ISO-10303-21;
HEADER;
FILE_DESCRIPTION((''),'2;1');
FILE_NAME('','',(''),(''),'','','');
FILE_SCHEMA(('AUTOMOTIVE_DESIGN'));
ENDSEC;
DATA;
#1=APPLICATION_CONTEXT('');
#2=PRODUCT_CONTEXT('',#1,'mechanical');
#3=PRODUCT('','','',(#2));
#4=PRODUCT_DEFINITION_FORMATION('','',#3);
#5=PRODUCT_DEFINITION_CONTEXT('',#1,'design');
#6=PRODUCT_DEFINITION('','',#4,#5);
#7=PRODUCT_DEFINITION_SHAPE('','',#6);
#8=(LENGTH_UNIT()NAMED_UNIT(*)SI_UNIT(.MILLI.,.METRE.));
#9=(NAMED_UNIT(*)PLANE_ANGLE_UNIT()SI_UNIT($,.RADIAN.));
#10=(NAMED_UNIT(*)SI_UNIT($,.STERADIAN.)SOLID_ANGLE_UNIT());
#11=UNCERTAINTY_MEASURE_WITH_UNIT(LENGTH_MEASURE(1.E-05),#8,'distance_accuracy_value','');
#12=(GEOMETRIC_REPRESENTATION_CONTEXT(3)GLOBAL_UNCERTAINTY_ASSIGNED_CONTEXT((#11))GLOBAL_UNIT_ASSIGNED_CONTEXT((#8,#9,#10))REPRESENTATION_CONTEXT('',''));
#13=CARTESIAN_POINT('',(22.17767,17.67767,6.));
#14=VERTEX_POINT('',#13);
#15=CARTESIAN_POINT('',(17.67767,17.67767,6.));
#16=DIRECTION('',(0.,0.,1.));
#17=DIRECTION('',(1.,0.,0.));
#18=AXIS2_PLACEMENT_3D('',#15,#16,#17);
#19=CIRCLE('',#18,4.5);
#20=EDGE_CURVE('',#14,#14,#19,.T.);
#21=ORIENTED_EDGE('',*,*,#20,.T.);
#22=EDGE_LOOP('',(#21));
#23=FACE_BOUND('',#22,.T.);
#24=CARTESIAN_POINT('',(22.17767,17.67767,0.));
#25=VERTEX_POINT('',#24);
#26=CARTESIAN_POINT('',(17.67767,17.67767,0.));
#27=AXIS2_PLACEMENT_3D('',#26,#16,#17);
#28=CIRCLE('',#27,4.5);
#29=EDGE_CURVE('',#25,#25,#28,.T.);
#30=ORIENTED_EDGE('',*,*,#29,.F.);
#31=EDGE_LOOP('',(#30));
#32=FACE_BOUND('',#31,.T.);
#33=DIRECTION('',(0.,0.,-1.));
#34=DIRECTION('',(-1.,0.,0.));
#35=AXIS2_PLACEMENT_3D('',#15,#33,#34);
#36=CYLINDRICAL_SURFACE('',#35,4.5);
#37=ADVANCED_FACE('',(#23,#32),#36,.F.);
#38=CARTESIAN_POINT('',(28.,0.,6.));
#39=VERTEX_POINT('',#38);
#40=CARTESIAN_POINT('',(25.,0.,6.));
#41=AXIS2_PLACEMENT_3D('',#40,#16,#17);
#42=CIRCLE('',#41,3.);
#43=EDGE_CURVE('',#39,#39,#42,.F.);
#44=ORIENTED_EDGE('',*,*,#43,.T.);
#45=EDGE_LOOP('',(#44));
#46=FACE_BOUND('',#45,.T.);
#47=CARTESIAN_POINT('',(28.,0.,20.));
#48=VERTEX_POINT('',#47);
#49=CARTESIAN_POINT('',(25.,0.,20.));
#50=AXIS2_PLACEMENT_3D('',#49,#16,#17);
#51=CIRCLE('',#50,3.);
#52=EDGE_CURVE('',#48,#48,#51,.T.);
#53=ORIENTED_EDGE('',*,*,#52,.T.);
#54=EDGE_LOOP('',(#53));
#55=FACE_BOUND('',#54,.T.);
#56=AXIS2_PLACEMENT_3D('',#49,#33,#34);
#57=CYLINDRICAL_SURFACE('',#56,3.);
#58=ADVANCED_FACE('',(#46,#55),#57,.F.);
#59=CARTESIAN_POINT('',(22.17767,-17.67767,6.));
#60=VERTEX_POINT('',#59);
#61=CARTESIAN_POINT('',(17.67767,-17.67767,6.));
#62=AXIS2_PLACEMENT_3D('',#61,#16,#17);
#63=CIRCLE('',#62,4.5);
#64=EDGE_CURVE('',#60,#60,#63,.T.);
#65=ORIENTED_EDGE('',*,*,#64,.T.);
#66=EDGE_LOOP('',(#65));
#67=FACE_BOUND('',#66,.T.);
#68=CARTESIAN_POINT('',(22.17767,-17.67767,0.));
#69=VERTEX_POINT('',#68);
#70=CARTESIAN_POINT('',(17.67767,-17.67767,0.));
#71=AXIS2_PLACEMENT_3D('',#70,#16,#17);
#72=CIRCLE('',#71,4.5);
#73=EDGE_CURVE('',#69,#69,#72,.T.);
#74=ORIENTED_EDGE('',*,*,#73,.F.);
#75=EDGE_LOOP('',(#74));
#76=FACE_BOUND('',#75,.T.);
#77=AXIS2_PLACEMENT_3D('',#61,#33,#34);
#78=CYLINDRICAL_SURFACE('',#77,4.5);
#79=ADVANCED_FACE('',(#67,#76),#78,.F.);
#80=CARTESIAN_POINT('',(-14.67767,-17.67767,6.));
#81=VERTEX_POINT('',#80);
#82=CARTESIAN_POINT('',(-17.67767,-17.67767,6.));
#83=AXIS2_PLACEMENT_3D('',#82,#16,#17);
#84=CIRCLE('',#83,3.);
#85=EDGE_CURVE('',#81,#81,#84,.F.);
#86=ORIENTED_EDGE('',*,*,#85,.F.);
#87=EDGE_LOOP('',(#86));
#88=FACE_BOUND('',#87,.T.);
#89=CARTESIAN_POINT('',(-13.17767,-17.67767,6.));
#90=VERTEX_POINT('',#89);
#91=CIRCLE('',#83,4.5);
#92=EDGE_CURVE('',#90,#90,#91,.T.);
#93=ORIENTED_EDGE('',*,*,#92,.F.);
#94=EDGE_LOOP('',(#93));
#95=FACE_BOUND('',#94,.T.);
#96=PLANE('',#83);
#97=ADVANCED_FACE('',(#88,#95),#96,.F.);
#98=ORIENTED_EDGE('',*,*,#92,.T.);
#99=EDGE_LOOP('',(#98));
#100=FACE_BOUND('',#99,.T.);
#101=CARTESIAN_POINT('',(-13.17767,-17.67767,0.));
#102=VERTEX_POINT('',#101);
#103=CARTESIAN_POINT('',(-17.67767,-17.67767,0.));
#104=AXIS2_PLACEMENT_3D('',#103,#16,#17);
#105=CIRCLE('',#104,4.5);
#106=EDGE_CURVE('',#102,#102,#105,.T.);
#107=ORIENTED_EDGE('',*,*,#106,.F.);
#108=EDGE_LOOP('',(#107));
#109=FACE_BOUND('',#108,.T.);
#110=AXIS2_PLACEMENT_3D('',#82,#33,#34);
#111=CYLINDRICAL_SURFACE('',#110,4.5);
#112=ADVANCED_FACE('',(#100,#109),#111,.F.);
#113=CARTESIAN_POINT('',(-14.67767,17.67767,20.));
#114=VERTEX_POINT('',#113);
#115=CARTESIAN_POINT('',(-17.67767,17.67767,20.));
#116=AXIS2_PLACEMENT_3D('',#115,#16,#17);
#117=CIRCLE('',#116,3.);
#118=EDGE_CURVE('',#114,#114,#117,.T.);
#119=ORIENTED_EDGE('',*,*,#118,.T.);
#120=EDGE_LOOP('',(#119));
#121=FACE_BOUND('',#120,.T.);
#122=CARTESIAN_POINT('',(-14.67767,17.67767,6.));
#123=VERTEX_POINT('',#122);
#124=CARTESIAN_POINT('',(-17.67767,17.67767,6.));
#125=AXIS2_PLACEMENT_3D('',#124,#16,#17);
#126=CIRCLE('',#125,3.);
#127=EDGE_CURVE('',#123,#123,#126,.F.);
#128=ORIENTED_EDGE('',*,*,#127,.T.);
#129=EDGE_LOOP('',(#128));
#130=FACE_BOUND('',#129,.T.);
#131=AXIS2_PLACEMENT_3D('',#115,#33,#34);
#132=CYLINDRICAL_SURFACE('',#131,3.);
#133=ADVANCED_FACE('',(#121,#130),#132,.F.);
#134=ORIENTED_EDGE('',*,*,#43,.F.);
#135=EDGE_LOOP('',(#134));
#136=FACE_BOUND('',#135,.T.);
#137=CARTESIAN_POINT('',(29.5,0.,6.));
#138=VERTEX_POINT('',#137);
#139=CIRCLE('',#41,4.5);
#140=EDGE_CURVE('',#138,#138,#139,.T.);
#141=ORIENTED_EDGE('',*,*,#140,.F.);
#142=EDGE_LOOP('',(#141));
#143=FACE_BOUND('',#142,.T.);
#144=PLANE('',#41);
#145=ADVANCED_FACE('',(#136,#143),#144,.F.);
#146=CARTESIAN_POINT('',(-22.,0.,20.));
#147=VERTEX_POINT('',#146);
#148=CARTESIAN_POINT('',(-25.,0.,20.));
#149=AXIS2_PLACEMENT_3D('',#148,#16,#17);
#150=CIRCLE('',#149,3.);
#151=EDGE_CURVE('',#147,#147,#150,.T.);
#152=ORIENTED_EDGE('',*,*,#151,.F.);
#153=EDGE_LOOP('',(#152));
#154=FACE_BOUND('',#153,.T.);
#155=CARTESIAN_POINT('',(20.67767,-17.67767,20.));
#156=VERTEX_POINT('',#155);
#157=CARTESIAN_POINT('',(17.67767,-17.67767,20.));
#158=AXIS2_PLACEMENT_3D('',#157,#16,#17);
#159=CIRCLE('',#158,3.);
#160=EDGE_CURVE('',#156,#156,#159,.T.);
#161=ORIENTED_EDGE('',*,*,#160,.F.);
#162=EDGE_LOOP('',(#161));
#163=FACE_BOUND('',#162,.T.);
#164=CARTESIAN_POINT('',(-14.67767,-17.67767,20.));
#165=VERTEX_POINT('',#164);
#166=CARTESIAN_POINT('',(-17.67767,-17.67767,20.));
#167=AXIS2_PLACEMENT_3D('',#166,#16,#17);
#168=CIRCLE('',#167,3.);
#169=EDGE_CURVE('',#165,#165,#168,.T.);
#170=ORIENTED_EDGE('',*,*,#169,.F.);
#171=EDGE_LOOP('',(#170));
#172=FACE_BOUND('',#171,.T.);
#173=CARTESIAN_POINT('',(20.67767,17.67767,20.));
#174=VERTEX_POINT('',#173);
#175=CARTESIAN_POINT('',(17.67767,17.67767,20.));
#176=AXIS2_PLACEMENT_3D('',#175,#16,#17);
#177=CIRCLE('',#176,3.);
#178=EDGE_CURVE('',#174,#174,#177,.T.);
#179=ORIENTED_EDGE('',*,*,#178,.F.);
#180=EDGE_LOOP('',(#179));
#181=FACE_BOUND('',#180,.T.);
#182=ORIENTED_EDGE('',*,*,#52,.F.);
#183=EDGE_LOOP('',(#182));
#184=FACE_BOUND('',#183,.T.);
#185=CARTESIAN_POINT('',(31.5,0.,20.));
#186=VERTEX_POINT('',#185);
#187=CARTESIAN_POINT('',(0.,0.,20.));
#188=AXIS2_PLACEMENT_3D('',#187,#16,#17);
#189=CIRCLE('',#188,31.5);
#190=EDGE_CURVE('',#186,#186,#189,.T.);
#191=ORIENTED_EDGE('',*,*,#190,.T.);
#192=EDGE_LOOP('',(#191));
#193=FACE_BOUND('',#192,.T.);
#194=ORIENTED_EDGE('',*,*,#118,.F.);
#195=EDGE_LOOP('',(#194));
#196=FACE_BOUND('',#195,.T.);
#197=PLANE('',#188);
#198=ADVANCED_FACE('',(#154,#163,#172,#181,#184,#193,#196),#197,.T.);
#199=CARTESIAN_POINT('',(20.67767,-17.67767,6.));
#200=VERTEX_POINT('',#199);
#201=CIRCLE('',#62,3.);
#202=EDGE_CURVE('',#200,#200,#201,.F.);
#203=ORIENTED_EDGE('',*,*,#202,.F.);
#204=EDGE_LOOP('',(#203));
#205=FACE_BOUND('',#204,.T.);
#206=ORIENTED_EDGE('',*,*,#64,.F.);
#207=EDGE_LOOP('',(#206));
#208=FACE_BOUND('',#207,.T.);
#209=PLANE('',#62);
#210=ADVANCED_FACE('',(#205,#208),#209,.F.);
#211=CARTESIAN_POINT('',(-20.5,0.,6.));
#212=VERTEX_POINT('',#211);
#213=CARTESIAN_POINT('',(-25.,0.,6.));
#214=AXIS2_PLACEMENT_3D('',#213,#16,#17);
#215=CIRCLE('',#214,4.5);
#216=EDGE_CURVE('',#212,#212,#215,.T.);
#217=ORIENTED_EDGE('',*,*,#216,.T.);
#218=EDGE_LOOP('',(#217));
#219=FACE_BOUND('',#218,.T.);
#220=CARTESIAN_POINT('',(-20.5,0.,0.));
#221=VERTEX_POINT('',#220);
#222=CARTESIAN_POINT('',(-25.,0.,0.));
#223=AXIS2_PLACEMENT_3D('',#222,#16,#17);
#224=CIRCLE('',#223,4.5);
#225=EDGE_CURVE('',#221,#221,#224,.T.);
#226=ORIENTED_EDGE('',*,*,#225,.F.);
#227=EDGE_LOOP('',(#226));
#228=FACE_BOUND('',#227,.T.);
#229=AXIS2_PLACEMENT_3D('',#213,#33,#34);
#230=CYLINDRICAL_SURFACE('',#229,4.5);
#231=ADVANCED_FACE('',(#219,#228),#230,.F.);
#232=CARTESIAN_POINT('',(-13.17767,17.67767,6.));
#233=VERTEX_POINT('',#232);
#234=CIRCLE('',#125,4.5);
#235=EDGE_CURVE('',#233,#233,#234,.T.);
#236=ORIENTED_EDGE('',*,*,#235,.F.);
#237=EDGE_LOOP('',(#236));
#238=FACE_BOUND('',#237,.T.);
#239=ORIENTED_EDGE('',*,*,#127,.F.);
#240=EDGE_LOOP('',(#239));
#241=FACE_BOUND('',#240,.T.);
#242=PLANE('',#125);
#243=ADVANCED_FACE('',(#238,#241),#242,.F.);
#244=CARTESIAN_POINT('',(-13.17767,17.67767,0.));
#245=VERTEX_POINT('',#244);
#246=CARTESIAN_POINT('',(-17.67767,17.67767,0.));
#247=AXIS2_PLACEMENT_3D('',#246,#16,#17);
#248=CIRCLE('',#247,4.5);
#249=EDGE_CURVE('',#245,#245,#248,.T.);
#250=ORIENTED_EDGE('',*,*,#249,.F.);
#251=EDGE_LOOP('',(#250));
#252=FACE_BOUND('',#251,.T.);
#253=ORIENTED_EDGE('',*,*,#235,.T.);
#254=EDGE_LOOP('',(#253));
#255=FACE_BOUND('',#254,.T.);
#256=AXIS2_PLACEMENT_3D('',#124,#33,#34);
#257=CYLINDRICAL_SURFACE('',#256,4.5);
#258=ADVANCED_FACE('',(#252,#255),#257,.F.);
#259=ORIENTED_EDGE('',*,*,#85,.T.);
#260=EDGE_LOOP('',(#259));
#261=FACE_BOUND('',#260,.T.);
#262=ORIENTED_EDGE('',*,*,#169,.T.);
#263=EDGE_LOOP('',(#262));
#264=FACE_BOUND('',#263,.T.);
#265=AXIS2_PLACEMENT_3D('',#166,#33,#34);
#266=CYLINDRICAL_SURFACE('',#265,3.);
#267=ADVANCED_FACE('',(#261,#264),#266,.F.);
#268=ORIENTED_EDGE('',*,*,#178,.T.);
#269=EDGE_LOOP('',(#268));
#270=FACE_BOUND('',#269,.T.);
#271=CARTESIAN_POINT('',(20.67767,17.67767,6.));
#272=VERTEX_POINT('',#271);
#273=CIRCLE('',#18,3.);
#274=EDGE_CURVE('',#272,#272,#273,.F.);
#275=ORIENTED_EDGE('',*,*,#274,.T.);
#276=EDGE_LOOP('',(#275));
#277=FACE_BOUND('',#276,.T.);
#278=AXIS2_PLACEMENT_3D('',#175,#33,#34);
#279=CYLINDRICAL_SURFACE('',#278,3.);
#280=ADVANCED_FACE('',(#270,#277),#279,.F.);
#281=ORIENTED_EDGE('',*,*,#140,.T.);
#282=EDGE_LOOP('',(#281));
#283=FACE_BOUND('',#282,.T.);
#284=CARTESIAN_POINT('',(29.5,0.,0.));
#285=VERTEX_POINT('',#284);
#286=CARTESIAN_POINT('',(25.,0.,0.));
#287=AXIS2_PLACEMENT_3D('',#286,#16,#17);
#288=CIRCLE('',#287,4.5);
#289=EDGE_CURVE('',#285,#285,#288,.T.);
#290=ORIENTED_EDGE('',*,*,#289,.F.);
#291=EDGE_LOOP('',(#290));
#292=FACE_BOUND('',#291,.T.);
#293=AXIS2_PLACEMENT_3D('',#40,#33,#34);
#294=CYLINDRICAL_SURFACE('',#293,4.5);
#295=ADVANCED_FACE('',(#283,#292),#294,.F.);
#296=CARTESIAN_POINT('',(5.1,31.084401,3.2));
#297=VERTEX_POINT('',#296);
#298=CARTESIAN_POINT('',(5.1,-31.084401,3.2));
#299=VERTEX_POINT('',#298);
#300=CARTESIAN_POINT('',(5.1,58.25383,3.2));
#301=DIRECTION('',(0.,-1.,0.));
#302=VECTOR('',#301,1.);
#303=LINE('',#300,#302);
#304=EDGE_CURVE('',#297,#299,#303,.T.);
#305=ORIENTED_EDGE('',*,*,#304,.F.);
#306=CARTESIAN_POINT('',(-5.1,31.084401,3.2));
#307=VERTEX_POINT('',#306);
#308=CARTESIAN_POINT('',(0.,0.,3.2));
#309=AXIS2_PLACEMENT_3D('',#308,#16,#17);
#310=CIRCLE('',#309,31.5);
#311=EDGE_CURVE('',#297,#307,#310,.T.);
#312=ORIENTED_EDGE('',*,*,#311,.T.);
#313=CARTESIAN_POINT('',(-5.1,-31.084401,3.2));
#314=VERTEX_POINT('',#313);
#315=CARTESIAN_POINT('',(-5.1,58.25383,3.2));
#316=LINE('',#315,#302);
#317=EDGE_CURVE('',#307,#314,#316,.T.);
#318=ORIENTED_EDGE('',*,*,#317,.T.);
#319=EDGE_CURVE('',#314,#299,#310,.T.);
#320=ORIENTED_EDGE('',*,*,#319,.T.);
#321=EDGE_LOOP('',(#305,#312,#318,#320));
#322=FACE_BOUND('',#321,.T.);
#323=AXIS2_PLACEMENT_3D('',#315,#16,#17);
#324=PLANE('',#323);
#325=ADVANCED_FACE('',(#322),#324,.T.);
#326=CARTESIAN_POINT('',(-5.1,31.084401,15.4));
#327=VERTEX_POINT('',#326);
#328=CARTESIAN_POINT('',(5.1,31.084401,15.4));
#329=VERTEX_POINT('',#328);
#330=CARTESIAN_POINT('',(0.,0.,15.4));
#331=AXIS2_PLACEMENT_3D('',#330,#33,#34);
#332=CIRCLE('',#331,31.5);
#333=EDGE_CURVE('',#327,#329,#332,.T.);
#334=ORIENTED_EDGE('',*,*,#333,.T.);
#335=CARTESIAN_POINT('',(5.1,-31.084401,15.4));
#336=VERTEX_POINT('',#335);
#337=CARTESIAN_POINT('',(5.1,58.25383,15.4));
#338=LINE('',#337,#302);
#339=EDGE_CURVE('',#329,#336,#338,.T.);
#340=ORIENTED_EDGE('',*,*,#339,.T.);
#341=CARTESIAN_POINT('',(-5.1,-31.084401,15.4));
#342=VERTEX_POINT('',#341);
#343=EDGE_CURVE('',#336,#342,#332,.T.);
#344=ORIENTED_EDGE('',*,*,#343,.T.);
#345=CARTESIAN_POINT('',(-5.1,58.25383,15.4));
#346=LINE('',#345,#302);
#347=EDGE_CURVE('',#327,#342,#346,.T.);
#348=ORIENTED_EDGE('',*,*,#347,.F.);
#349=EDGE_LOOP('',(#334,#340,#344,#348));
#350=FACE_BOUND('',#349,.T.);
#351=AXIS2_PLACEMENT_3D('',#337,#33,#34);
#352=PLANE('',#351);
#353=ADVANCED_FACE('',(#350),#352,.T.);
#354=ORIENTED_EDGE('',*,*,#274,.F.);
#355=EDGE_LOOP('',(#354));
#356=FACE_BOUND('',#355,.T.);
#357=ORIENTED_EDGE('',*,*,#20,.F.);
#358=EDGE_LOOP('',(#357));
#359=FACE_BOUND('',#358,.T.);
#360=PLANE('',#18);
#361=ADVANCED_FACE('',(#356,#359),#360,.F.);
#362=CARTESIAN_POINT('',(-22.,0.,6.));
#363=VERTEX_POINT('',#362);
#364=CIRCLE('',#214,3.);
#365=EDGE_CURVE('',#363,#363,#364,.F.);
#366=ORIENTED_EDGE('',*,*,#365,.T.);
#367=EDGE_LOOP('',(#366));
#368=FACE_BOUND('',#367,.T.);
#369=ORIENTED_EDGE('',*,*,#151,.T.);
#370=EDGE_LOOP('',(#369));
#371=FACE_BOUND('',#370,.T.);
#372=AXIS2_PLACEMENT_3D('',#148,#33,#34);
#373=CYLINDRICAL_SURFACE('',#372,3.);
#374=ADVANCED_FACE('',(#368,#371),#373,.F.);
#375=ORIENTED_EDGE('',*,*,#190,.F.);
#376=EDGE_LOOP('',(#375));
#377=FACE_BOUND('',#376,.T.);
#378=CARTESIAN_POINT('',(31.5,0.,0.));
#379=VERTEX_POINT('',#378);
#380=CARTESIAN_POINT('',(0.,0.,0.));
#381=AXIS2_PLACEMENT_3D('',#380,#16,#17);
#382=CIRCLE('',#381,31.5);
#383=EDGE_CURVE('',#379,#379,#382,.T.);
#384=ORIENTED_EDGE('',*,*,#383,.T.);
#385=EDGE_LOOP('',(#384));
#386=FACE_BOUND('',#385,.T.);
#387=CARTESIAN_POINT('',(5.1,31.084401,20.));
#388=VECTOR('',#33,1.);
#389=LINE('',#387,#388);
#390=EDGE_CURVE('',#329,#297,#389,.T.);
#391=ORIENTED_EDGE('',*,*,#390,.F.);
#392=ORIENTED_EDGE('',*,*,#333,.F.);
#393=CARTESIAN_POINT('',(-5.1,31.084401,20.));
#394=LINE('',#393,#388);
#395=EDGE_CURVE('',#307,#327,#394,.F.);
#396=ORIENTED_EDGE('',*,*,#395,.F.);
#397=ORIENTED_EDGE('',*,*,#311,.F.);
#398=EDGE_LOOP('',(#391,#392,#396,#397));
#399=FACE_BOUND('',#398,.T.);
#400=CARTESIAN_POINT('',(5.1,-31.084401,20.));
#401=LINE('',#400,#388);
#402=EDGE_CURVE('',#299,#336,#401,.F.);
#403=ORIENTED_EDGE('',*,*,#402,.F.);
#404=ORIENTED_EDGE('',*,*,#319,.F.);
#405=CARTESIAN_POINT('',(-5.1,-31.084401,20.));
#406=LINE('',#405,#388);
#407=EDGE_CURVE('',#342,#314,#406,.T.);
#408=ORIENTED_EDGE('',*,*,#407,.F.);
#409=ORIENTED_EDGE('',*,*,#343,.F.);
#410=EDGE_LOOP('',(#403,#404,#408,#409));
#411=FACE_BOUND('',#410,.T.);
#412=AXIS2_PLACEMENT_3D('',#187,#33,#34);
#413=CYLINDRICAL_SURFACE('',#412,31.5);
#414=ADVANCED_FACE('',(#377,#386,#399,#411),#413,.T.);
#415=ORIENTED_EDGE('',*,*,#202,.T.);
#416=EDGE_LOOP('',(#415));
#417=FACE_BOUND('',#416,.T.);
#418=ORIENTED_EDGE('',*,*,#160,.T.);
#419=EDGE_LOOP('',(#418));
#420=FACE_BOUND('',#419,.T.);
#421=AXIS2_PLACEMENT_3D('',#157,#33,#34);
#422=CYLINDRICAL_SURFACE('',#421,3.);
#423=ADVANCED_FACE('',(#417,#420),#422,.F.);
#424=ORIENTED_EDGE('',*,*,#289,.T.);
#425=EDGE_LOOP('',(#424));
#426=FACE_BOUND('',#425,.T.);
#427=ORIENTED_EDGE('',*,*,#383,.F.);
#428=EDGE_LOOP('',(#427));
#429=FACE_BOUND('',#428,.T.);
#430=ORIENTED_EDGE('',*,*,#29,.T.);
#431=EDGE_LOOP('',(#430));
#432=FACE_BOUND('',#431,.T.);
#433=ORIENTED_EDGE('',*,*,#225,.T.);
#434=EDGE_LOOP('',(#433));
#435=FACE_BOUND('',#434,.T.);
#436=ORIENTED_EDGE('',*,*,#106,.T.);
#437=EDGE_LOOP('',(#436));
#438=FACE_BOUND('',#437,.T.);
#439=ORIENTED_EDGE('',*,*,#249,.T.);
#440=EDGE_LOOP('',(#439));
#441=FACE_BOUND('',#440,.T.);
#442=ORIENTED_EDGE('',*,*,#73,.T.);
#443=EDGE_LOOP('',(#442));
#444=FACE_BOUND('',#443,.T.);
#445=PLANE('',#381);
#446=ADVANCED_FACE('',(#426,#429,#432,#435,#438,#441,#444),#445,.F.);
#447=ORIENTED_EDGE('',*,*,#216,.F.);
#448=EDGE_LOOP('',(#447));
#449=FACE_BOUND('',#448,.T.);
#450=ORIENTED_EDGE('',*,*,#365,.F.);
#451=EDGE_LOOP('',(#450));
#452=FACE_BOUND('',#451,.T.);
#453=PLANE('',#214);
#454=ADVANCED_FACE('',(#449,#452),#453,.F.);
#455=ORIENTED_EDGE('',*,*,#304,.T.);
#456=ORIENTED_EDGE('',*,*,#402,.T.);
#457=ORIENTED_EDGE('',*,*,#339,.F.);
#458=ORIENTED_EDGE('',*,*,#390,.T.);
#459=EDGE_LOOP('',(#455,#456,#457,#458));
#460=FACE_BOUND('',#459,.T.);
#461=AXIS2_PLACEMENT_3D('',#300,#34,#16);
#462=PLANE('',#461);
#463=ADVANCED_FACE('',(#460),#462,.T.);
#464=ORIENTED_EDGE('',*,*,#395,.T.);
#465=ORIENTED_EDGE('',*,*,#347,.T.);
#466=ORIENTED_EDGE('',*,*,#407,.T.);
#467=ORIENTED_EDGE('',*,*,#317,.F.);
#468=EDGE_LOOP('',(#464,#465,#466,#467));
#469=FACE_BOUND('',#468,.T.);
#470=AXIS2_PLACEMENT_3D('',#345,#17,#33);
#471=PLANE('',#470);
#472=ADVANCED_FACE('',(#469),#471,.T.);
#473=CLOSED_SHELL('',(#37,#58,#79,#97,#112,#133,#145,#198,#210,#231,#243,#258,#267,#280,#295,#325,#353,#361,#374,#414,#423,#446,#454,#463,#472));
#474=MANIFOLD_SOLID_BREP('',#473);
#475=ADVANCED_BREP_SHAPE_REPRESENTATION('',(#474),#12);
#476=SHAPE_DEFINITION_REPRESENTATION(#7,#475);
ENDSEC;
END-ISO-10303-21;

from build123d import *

# Parameters (mm, degrees)
SKETCH2_R               = 31.5
SKETCH2_R_2             = 4.5
BOSS_EXTRUDE2_DEPTH     = 20
CUT_EXTRUDE1_DEPTH      = 26
CUT_EXTRUDE1_DEPTH_BACK = 80
SKETCH3_W               = 10.2
SKETCH3_H               = 12.2
SKETCH2_4_R             = 4.5
BOSS_EXTRUDE3_DEPTH     = 20
SKETCH2_5_R             = 4.5
CUT_EXTRUDE2_DEPTH      = 6
SKETCH2_6_R             = 3
CUT_EXTRUDE3_DEPTH      = 20


with BuildPart() as part:
    # Sketch2 → Boss-Extrude2 (new body)
    with BuildSketch(Plane.XY):
        Circle(SKETCH2_R)
        with Locations((-17.67766953, 17.67766953)):
            Circle(SKETCH2_R_2, mode=Mode.SUBTRACT)
        with Locations((-25, 0)):
            Circle(SKETCH2_R_2, mode=Mode.SUBTRACT)
        with Locations((-17.67766953, -17.67766953)):
            Circle(SKETCH2_R_2, mode=Mode.SUBTRACT)
        with Locations((17.67766953, 17.67766953)):
            Circle(SKETCH2_R_2, mode=Mode.SUBTRACT)
        with Locations((25, 0)):
            Circle(SKETCH2_R_2, mode=Mode.SUBTRACT)
        with Locations((17.67766953, -17.67766953)):
            Circle(SKETCH2_R_2, mode=Mode.SUBTRACT)
    extrude(amount=BOSS_EXTRUDE2_DEPTH)

    # Sketch3 → Cut-Extrude1 (cut, two sides: drawn at the far end of the back side and taken through both)
    with BuildSketch(Plane(origin=(0, 32.253829663, 0), x_dir=(1, 0, 0), z_dir=(0, 1, 0)).offset(-CUT_EXTRUDE1_DEPTH_BACK)):
        with Locations((0, -9.3)):
            Rectangle(SKETCH3_W, SKETCH3_H)
    extrude(amount=CUT_EXTRUDE1_DEPTH + CUT_EXTRUDE1_DEPTH_BACK, mode=Mode.SUBTRACT)

    # Sketch2<4> → Boss-Extrude3 (add)
    with BuildSketch(Plane.XY):
        with Locations((-17.67766953, 17.67766953)):
            Circle(SKETCH2_4_R)
        with Locations((-25, 0)):
            Circle(SKETCH2_4_R)
        with Locations((-17.67766953, -17.67766953)):
            Circle(SKETCH2_4_R)
        with Locations((17.67766953, 17.67766953)):
            Circle(SKETCH2_4_R)
        with Locations((25, 0)):
            Circle(SKETCH2_4_R)
        with Locations((17.67766953, -17.67766953)):
            Circle(SKETCH2_4_R)
    extrude(amount=BOSS_EXTRUDE3_DEPTH)

    # Sketch2<5> → Cut-Extrude2 (cut)
    with BuildSketch(Plane.XY):
        with Locations((-17.67766953, 17.67766953)):
            Circle(SKETCH2_5_R)
        with Locations((-25, 0)):
            Circle(SKETCH2_5_R)
        with Locations((-17.67766953, -17.67766953)):
            Circle(SKETCH2_5_R)
        with Locations((17.67766953, 17.67766953)):
            Circle(SKETCH2_5_R)
        with Locations((25, 0)):
            Circle(SKETCH2_5_R)
        with Locations((17.67766953, -17.67766953)):
            Circle(SKETCH2_5_R)
    extrude(amount=CUT_EXTRUDE2_DEPTH, mode=Mode.SUBTRACT)

    # Sketch2<6> → Cut-Extrude3 (cut)
    with BuildSketch(Plane.XY):
        with Locations((-17.67766953, 17.67766953)):
            Circle(SKETCH2_6_R)
        with Locations((-25, 0)):
            Circle(SKETCH2_6_R)
        with Locations((-17.67766953, -17.67766953)):
            Circle(SKETCH2_6_R)
        with Locations((17.67766953, 17.67766953)):
            Circle(SKETCH2_6_R)
        with Locations((25, 0)):
            Circle(SKETCH2_6_R)
        with Locations((17.67766953, -17.67766953)):
            Circle(SKETCH2_6_R)
    extrude(amount=CUT_EXTRUDE3_DEPTH, mode=Mode.SUBTRACT)


solid = part.part
